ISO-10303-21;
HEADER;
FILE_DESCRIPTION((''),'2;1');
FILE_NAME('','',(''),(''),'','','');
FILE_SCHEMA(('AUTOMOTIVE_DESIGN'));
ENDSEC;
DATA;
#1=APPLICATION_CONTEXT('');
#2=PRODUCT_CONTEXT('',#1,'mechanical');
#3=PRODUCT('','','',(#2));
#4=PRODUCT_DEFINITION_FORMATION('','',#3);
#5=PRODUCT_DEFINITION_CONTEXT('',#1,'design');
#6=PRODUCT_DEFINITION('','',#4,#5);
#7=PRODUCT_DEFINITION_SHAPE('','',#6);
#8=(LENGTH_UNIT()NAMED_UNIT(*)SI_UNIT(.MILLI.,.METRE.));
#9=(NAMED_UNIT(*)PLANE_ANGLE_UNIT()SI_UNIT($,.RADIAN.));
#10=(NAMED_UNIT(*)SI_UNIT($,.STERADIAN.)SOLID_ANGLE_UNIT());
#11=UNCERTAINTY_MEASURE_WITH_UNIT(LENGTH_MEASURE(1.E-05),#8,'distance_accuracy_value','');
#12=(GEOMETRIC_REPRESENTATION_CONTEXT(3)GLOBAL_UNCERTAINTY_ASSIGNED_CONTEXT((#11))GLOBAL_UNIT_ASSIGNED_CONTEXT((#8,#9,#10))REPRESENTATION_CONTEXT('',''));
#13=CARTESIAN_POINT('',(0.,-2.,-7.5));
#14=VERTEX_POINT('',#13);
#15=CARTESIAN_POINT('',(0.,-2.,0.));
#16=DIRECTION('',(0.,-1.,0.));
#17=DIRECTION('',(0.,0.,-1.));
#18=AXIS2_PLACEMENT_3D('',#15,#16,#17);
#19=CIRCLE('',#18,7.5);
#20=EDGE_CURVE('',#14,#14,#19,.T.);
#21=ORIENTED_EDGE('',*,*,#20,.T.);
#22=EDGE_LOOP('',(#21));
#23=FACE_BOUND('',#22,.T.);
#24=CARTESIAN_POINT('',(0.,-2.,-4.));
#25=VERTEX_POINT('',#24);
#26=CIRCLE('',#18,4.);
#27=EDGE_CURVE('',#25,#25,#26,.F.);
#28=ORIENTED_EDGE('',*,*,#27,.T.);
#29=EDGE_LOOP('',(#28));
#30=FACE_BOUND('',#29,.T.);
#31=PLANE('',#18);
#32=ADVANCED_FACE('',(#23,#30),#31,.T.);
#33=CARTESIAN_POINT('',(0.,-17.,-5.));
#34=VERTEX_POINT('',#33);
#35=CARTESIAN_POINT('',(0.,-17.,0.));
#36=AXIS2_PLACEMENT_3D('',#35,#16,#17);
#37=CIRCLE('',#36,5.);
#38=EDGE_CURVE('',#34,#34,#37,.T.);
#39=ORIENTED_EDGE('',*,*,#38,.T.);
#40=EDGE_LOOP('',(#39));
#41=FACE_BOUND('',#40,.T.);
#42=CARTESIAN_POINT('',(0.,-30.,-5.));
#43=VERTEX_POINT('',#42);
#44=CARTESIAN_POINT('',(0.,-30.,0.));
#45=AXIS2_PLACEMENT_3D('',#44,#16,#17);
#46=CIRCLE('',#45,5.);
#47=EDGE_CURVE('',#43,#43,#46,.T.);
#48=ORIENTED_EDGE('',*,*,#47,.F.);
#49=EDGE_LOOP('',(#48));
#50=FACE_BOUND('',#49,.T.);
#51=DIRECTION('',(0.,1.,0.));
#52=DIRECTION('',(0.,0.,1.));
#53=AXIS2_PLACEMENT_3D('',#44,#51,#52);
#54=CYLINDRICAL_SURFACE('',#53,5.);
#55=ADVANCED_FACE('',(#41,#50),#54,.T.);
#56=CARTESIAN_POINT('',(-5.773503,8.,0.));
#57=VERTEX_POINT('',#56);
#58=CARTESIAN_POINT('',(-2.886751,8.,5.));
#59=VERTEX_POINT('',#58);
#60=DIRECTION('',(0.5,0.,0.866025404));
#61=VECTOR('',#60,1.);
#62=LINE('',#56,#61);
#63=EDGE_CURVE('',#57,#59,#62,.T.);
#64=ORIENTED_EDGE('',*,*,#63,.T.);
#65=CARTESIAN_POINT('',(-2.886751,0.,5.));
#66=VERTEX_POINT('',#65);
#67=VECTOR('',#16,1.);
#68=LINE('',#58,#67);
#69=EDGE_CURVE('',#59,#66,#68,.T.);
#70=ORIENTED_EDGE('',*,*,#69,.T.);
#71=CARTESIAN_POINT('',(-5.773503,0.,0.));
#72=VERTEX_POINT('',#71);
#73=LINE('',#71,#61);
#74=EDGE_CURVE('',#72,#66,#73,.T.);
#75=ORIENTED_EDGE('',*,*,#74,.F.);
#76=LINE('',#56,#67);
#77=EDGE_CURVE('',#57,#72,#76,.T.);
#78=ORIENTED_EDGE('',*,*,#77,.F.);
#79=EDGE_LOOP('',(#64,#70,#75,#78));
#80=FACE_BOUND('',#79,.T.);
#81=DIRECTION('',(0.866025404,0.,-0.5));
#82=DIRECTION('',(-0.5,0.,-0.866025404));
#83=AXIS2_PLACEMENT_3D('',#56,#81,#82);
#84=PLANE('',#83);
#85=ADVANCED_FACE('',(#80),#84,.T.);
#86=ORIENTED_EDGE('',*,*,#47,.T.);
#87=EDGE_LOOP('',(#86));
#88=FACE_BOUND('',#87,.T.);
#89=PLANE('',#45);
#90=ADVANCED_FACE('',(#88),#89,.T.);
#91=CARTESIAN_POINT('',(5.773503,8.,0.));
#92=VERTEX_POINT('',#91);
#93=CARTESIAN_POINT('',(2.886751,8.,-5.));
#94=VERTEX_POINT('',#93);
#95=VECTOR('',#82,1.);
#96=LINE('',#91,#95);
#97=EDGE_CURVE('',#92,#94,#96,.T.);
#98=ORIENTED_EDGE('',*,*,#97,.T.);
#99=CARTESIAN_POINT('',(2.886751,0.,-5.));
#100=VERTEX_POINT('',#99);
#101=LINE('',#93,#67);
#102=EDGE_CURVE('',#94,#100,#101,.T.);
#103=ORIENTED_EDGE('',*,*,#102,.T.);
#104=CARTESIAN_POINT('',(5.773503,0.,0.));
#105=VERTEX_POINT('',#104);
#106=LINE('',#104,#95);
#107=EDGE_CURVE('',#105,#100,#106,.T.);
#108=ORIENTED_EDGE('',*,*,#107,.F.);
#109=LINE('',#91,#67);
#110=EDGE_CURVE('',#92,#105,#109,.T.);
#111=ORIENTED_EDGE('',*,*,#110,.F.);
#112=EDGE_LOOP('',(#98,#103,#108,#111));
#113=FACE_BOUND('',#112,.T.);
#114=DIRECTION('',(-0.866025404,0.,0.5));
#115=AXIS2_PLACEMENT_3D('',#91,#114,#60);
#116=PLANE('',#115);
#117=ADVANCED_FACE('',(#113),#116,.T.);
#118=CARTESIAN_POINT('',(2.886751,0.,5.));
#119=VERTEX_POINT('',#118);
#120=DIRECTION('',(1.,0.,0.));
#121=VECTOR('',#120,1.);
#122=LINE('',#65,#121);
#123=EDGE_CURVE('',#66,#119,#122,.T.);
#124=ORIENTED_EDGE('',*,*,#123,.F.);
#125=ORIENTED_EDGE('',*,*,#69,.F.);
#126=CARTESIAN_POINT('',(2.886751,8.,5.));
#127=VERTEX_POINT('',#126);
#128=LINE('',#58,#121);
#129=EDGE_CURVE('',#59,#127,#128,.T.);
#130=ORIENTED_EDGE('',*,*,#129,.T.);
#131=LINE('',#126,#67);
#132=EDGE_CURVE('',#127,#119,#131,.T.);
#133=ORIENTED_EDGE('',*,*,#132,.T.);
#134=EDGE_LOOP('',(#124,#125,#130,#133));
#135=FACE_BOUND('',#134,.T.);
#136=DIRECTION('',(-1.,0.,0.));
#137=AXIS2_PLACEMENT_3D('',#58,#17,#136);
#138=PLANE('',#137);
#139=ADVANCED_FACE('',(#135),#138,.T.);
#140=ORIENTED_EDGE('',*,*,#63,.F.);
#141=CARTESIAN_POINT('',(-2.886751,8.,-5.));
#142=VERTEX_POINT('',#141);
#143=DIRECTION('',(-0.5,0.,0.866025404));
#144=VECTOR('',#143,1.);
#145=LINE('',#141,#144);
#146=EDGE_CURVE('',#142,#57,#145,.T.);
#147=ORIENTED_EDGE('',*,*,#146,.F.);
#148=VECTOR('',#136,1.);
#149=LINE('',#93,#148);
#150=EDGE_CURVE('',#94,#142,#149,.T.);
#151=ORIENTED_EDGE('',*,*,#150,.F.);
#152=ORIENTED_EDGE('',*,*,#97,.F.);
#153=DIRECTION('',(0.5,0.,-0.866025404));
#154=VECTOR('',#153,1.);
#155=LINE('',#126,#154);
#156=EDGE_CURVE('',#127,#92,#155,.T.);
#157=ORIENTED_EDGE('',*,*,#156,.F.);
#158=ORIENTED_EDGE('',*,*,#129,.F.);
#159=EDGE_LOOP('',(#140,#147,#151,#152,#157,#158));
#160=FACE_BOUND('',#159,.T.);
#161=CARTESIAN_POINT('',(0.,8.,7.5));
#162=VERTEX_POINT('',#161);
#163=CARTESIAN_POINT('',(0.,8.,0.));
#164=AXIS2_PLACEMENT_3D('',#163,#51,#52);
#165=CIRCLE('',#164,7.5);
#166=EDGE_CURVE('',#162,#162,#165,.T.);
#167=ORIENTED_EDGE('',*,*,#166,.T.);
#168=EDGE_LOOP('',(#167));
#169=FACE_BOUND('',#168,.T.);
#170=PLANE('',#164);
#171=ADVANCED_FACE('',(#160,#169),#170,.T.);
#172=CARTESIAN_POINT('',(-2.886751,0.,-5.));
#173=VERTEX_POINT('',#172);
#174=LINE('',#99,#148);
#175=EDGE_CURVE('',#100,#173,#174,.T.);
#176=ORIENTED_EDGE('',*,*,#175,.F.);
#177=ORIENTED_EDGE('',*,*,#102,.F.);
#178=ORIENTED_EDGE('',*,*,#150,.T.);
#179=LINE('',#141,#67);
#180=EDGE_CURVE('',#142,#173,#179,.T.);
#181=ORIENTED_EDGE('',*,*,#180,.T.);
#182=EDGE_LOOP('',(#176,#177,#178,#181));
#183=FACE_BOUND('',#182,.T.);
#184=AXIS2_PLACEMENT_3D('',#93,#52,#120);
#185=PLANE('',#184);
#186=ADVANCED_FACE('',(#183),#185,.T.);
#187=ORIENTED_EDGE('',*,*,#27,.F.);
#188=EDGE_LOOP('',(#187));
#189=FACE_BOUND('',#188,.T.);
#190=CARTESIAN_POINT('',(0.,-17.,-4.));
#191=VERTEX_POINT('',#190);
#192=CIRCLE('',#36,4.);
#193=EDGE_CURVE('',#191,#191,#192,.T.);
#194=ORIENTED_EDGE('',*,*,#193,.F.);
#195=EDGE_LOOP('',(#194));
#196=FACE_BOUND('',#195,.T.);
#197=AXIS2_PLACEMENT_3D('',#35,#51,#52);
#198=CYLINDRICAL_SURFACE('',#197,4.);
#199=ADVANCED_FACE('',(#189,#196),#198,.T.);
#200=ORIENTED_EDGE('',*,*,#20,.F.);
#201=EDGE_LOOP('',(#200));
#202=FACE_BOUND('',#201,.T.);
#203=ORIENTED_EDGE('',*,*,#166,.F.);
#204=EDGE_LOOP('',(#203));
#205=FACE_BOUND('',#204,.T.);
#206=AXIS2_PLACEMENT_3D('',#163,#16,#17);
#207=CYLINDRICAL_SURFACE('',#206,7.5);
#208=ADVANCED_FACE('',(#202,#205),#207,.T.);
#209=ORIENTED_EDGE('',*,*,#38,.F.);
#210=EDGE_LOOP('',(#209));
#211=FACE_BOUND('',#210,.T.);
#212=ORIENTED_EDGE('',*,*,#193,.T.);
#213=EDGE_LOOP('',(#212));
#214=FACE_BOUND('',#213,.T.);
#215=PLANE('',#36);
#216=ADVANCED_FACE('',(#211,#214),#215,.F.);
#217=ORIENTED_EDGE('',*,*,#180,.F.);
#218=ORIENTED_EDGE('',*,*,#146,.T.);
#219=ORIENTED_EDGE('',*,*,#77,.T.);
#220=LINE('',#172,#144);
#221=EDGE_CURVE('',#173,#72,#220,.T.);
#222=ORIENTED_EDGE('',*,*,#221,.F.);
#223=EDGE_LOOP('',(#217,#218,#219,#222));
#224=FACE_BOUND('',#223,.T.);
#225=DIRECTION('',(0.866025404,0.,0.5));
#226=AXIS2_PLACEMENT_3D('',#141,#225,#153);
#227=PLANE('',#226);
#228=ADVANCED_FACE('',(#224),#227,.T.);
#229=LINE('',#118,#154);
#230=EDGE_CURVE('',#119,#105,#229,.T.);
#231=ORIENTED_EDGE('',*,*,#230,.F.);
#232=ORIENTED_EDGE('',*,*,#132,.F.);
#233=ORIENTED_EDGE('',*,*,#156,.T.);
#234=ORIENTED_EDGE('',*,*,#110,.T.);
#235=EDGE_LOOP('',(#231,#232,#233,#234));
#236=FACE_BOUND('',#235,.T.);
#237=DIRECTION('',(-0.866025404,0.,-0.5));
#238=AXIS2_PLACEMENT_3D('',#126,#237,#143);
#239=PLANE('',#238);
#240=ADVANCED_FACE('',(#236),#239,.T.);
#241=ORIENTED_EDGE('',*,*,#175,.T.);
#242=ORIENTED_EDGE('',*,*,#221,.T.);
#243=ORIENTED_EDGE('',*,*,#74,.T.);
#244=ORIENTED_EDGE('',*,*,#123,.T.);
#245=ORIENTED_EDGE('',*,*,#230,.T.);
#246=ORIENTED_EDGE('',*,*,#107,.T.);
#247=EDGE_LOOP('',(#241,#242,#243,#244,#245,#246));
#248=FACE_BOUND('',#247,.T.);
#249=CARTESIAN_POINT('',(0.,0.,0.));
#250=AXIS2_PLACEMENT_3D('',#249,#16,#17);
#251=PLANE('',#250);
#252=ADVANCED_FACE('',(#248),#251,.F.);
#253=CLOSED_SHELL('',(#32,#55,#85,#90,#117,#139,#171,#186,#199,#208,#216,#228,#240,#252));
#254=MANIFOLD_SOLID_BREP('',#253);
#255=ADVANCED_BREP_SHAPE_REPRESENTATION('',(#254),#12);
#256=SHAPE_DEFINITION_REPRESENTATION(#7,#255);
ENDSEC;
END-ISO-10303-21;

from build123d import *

# Parameters (mm, degrees)
SKETCH1_R           = 7.5
BOSS_EXTRUDE1_DEPTH = 8
BOSS_EXTRUDE2_START = 2
SKETCH2_R           = 7.5
BOSS_EXTRUDE2_DEPTH = 2
SKETCH2_3_R         = 4
BOSS_EXTRUDE3_DEPTH = 17
SKETCH3_R           = 5
BOSS_EXTRUDE4_DEPTH = 13


with BuildPart() as part:
    # Sketch1 → Boss-Extrude1 (new body)
    with BuildSketch(Plane(origin=(0, 0, 0), x_dir=(1, 0, 0), z_dir=(0, 1, 0))):
        Circle(SKETCH1_R)
        Polygon((5.773502692, 0), (2.886751346, 5), (-2.886751346, 5), (-5.773502692, 0), (-2.886751346, -5), (2.886751346, -5), align=None, mode=Mode.SUBTRACT)
    extrude(amount=BOSS_EXTRUDE1_DEPTH)

    # Sketch2 → Boss-Extrude2 (add)
    with BuildSketch(Plane.XZ.offset(BOSS_EXTRUDE2_START)):
        Circle(SKETCH2_R)
    extrude(amount=-BOSS_EXTRUDE2_DEPTH)

    # Sketch2<3> → Boss-Extrude3 (add)
    with BuildSketch(Plane.XZ):
        Circle(SKETCH2_3_R)
    extrude(amount=BOSS_EXTRUDE3_DEPTH)

    # Sketch3 → Boss-Extrude4 (add)
    with BuildSketch(Plane.XZ.offset(17)):
        Circle(SKETCH3_R)
    extrude(amount=BOSS_EXTRUDE4_DEPTH)


solid = part.part
